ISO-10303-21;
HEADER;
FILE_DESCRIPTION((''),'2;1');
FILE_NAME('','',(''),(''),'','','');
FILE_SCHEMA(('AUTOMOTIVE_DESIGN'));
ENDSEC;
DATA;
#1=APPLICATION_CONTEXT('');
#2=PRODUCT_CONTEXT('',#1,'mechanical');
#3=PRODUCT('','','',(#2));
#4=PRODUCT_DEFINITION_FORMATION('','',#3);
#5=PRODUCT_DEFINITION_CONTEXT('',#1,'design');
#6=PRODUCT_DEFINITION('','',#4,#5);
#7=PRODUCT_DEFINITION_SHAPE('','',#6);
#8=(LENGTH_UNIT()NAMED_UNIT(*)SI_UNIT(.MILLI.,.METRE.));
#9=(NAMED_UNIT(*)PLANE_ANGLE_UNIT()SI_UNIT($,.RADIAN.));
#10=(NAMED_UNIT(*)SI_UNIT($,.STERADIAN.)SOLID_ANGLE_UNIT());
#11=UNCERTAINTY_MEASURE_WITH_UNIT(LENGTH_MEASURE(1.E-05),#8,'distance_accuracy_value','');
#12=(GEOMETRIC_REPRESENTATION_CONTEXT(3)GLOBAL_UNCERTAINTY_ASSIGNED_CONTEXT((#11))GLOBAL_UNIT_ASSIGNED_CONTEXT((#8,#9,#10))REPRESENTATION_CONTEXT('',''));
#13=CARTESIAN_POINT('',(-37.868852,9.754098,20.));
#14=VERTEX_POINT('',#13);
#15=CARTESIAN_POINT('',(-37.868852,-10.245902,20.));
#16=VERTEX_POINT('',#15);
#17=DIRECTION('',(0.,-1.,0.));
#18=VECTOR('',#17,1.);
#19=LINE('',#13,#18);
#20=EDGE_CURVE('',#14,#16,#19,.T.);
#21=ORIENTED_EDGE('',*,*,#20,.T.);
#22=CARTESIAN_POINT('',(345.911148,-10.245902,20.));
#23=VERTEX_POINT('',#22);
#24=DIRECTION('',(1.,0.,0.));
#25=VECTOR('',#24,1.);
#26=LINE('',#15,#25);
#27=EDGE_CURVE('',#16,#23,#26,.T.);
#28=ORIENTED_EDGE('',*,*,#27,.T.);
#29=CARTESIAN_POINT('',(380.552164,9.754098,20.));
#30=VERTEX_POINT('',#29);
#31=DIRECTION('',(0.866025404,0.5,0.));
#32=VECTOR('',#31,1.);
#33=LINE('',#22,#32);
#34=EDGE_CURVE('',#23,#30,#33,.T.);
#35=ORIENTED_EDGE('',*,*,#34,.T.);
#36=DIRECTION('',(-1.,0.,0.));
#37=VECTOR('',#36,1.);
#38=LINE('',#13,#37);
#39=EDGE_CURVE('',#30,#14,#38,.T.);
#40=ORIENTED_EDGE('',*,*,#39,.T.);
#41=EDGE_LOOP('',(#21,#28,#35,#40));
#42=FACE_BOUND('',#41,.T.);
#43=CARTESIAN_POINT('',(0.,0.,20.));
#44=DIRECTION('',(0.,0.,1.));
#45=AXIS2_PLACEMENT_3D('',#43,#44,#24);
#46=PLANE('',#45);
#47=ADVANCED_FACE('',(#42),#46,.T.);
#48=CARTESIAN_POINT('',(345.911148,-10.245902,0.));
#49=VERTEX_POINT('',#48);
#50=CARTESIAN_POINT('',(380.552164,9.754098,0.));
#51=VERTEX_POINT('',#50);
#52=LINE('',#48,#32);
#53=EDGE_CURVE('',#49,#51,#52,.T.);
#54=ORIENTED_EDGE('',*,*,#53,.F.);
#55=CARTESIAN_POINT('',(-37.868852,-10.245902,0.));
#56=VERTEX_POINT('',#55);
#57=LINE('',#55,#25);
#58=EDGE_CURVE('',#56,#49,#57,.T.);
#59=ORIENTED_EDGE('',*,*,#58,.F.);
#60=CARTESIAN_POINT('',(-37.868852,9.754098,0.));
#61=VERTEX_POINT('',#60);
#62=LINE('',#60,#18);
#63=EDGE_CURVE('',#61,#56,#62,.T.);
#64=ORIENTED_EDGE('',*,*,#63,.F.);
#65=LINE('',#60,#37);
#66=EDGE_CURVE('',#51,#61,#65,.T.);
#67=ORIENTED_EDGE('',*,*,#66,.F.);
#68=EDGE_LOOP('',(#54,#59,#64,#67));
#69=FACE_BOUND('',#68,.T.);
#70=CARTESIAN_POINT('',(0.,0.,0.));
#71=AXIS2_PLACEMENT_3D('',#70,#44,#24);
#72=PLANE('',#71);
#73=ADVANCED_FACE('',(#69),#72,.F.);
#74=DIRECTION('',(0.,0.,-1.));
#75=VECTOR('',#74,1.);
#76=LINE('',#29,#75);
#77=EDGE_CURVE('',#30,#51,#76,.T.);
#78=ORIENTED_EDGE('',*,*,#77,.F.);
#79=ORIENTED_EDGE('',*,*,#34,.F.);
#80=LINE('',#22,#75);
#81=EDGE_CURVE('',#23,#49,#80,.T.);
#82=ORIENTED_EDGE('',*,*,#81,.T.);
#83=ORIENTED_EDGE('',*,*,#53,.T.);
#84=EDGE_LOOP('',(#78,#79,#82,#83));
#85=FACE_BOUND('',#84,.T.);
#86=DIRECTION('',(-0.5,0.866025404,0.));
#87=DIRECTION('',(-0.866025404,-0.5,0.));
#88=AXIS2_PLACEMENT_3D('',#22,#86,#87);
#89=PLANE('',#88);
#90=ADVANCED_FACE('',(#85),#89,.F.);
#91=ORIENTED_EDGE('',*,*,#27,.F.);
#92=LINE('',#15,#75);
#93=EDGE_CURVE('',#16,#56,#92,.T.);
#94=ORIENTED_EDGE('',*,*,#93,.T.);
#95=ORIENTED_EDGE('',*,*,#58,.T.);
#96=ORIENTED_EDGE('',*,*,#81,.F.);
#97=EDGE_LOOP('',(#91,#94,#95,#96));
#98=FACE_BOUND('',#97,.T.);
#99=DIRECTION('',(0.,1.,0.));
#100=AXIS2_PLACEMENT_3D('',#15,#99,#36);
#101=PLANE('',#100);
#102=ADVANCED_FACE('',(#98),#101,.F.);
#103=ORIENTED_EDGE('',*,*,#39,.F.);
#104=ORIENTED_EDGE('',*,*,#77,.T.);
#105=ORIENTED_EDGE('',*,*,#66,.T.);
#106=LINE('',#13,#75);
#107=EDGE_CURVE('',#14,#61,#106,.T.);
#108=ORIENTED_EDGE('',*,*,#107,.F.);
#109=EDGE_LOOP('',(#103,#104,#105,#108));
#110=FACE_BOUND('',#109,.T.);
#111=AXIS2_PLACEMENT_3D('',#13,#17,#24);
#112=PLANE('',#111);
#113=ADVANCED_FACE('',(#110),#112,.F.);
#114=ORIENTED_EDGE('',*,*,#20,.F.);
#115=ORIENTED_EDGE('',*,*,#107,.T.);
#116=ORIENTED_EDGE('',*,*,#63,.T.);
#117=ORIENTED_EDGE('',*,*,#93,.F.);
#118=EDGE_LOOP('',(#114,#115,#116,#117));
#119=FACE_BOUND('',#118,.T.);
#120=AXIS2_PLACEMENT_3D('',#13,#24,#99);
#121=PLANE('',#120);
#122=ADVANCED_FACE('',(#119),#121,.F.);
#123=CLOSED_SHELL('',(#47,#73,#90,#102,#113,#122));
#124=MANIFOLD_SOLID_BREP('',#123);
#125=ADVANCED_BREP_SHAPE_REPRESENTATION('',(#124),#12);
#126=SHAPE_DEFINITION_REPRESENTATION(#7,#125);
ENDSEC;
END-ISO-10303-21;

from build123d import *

# Parameters (mm, degrees)
BOSS_EXTRUDE1_DEPTH = 20


with BuildPart() as part:
    # Sketch1 → Boss-Extrude1 (new body)
    with BuildSketch(Plane.XY):
        Polygon((-37.868852459, -10.245901639), (345.911147541, -10.245901639), (380.552163692, 9.754098361), (-37.868852459, 9.754098361), align=None)
    extrude(amount=BOSS_EXTRUDE1_DEPTH)


solid = part.part
